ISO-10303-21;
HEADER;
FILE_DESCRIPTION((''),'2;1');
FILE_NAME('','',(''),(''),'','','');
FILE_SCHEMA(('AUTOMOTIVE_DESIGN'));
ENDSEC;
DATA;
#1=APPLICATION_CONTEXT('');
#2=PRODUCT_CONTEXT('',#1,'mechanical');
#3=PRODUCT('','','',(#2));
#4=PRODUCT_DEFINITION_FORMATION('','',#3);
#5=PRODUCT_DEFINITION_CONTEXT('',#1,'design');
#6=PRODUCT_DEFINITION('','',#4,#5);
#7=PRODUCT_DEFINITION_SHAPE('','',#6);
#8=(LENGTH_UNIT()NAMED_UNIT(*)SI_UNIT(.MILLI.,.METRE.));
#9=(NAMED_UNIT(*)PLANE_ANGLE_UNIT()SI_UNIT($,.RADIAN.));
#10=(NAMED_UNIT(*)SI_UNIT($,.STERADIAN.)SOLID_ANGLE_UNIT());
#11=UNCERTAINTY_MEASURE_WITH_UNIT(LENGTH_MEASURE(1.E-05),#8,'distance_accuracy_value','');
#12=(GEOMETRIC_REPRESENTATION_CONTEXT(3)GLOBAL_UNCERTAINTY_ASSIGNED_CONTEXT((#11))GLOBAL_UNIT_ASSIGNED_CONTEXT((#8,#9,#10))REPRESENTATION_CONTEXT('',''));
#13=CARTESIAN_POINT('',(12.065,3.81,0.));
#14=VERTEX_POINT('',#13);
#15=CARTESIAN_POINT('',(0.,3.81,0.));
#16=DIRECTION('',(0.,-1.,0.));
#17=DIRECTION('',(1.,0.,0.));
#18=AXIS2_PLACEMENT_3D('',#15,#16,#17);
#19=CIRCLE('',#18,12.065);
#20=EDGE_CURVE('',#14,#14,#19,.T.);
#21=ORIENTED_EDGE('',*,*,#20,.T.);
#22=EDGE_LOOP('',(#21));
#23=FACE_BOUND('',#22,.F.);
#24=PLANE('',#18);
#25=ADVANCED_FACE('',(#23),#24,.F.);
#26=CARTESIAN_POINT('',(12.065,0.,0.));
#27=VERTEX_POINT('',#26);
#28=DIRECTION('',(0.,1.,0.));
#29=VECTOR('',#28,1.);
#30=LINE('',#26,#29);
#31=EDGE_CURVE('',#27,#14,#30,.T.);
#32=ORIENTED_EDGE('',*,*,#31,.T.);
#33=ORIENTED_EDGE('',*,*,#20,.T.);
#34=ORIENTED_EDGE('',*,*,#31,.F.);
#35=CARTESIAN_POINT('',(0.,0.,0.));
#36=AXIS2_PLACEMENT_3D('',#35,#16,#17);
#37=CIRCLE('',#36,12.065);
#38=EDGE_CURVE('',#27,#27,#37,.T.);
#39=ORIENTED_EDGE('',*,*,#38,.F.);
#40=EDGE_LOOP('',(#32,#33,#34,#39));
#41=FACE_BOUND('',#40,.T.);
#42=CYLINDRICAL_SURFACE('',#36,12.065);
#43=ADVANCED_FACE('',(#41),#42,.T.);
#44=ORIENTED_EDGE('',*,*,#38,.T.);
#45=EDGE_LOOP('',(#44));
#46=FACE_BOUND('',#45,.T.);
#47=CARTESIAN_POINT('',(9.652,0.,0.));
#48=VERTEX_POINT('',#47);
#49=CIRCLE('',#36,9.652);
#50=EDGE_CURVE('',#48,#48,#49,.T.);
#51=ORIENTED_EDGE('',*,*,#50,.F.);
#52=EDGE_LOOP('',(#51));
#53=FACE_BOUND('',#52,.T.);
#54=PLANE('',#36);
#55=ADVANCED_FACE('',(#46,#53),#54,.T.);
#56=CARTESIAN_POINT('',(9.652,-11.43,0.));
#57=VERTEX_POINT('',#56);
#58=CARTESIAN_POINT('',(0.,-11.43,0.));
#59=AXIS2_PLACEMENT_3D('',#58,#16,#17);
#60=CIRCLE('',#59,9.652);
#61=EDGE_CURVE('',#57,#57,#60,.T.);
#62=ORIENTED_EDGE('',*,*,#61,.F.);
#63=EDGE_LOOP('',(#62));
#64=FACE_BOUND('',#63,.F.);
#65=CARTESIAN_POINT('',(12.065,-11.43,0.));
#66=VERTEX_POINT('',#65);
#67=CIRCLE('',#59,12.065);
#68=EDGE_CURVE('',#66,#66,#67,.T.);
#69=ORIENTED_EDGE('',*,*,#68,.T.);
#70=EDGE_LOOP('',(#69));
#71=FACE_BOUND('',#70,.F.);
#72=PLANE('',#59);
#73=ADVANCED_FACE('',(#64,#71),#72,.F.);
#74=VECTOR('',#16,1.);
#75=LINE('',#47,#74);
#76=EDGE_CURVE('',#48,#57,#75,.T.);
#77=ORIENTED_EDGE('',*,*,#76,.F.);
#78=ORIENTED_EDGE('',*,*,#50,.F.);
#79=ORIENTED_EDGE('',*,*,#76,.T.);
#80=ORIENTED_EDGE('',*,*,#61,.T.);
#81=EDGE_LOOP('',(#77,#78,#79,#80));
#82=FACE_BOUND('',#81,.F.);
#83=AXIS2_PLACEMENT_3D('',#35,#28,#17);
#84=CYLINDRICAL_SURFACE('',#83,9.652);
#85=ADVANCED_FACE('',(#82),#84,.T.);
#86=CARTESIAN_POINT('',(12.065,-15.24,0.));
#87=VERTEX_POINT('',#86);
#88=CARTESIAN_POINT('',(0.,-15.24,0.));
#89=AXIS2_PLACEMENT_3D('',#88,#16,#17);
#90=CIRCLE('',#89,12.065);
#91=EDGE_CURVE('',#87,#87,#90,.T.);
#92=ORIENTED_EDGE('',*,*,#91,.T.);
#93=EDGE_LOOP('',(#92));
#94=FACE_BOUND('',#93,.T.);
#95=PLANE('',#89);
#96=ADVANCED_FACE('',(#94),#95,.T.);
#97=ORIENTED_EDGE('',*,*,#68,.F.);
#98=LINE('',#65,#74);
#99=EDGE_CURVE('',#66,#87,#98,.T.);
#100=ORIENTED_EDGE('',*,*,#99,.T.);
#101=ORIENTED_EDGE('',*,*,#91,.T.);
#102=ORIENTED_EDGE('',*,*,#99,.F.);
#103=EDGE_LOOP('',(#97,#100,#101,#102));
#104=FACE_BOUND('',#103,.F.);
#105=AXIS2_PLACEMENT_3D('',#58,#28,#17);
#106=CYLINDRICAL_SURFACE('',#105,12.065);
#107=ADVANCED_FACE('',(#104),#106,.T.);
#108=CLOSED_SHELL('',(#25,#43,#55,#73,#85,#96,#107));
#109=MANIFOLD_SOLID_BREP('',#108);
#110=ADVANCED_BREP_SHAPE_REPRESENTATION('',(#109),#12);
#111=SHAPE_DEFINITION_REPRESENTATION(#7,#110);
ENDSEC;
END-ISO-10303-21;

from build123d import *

# Parameters (mm, degrees)
F0_R     = 12.065
F1_DEPTH = 3.81
F2_R     = 9.652
F3_DEPTH = 11.43
F4_R     = 12.065
F5_DEPTH = 3.81


with BuildPart() as f1:
    # F0 (on Front) → F1 (new body)
    with BuildSketch(Plane.XZ):
        Circle(F0_R)
    extrude(amount=-F1_DEPTH)

    # F2 (on face) → F3 (join)
    with BuildSketch(Plane.XZ):
        Circle(F2_R)
    extrude(amount=F3_DEPTH)

    # F4 (on face) → F5 (join)
    with BuildSketch(Plane.XZ.offset(11.43)):
        Circle(F4_R)
    extrude(amount=F5_DEPTH)


solid = f1.part
